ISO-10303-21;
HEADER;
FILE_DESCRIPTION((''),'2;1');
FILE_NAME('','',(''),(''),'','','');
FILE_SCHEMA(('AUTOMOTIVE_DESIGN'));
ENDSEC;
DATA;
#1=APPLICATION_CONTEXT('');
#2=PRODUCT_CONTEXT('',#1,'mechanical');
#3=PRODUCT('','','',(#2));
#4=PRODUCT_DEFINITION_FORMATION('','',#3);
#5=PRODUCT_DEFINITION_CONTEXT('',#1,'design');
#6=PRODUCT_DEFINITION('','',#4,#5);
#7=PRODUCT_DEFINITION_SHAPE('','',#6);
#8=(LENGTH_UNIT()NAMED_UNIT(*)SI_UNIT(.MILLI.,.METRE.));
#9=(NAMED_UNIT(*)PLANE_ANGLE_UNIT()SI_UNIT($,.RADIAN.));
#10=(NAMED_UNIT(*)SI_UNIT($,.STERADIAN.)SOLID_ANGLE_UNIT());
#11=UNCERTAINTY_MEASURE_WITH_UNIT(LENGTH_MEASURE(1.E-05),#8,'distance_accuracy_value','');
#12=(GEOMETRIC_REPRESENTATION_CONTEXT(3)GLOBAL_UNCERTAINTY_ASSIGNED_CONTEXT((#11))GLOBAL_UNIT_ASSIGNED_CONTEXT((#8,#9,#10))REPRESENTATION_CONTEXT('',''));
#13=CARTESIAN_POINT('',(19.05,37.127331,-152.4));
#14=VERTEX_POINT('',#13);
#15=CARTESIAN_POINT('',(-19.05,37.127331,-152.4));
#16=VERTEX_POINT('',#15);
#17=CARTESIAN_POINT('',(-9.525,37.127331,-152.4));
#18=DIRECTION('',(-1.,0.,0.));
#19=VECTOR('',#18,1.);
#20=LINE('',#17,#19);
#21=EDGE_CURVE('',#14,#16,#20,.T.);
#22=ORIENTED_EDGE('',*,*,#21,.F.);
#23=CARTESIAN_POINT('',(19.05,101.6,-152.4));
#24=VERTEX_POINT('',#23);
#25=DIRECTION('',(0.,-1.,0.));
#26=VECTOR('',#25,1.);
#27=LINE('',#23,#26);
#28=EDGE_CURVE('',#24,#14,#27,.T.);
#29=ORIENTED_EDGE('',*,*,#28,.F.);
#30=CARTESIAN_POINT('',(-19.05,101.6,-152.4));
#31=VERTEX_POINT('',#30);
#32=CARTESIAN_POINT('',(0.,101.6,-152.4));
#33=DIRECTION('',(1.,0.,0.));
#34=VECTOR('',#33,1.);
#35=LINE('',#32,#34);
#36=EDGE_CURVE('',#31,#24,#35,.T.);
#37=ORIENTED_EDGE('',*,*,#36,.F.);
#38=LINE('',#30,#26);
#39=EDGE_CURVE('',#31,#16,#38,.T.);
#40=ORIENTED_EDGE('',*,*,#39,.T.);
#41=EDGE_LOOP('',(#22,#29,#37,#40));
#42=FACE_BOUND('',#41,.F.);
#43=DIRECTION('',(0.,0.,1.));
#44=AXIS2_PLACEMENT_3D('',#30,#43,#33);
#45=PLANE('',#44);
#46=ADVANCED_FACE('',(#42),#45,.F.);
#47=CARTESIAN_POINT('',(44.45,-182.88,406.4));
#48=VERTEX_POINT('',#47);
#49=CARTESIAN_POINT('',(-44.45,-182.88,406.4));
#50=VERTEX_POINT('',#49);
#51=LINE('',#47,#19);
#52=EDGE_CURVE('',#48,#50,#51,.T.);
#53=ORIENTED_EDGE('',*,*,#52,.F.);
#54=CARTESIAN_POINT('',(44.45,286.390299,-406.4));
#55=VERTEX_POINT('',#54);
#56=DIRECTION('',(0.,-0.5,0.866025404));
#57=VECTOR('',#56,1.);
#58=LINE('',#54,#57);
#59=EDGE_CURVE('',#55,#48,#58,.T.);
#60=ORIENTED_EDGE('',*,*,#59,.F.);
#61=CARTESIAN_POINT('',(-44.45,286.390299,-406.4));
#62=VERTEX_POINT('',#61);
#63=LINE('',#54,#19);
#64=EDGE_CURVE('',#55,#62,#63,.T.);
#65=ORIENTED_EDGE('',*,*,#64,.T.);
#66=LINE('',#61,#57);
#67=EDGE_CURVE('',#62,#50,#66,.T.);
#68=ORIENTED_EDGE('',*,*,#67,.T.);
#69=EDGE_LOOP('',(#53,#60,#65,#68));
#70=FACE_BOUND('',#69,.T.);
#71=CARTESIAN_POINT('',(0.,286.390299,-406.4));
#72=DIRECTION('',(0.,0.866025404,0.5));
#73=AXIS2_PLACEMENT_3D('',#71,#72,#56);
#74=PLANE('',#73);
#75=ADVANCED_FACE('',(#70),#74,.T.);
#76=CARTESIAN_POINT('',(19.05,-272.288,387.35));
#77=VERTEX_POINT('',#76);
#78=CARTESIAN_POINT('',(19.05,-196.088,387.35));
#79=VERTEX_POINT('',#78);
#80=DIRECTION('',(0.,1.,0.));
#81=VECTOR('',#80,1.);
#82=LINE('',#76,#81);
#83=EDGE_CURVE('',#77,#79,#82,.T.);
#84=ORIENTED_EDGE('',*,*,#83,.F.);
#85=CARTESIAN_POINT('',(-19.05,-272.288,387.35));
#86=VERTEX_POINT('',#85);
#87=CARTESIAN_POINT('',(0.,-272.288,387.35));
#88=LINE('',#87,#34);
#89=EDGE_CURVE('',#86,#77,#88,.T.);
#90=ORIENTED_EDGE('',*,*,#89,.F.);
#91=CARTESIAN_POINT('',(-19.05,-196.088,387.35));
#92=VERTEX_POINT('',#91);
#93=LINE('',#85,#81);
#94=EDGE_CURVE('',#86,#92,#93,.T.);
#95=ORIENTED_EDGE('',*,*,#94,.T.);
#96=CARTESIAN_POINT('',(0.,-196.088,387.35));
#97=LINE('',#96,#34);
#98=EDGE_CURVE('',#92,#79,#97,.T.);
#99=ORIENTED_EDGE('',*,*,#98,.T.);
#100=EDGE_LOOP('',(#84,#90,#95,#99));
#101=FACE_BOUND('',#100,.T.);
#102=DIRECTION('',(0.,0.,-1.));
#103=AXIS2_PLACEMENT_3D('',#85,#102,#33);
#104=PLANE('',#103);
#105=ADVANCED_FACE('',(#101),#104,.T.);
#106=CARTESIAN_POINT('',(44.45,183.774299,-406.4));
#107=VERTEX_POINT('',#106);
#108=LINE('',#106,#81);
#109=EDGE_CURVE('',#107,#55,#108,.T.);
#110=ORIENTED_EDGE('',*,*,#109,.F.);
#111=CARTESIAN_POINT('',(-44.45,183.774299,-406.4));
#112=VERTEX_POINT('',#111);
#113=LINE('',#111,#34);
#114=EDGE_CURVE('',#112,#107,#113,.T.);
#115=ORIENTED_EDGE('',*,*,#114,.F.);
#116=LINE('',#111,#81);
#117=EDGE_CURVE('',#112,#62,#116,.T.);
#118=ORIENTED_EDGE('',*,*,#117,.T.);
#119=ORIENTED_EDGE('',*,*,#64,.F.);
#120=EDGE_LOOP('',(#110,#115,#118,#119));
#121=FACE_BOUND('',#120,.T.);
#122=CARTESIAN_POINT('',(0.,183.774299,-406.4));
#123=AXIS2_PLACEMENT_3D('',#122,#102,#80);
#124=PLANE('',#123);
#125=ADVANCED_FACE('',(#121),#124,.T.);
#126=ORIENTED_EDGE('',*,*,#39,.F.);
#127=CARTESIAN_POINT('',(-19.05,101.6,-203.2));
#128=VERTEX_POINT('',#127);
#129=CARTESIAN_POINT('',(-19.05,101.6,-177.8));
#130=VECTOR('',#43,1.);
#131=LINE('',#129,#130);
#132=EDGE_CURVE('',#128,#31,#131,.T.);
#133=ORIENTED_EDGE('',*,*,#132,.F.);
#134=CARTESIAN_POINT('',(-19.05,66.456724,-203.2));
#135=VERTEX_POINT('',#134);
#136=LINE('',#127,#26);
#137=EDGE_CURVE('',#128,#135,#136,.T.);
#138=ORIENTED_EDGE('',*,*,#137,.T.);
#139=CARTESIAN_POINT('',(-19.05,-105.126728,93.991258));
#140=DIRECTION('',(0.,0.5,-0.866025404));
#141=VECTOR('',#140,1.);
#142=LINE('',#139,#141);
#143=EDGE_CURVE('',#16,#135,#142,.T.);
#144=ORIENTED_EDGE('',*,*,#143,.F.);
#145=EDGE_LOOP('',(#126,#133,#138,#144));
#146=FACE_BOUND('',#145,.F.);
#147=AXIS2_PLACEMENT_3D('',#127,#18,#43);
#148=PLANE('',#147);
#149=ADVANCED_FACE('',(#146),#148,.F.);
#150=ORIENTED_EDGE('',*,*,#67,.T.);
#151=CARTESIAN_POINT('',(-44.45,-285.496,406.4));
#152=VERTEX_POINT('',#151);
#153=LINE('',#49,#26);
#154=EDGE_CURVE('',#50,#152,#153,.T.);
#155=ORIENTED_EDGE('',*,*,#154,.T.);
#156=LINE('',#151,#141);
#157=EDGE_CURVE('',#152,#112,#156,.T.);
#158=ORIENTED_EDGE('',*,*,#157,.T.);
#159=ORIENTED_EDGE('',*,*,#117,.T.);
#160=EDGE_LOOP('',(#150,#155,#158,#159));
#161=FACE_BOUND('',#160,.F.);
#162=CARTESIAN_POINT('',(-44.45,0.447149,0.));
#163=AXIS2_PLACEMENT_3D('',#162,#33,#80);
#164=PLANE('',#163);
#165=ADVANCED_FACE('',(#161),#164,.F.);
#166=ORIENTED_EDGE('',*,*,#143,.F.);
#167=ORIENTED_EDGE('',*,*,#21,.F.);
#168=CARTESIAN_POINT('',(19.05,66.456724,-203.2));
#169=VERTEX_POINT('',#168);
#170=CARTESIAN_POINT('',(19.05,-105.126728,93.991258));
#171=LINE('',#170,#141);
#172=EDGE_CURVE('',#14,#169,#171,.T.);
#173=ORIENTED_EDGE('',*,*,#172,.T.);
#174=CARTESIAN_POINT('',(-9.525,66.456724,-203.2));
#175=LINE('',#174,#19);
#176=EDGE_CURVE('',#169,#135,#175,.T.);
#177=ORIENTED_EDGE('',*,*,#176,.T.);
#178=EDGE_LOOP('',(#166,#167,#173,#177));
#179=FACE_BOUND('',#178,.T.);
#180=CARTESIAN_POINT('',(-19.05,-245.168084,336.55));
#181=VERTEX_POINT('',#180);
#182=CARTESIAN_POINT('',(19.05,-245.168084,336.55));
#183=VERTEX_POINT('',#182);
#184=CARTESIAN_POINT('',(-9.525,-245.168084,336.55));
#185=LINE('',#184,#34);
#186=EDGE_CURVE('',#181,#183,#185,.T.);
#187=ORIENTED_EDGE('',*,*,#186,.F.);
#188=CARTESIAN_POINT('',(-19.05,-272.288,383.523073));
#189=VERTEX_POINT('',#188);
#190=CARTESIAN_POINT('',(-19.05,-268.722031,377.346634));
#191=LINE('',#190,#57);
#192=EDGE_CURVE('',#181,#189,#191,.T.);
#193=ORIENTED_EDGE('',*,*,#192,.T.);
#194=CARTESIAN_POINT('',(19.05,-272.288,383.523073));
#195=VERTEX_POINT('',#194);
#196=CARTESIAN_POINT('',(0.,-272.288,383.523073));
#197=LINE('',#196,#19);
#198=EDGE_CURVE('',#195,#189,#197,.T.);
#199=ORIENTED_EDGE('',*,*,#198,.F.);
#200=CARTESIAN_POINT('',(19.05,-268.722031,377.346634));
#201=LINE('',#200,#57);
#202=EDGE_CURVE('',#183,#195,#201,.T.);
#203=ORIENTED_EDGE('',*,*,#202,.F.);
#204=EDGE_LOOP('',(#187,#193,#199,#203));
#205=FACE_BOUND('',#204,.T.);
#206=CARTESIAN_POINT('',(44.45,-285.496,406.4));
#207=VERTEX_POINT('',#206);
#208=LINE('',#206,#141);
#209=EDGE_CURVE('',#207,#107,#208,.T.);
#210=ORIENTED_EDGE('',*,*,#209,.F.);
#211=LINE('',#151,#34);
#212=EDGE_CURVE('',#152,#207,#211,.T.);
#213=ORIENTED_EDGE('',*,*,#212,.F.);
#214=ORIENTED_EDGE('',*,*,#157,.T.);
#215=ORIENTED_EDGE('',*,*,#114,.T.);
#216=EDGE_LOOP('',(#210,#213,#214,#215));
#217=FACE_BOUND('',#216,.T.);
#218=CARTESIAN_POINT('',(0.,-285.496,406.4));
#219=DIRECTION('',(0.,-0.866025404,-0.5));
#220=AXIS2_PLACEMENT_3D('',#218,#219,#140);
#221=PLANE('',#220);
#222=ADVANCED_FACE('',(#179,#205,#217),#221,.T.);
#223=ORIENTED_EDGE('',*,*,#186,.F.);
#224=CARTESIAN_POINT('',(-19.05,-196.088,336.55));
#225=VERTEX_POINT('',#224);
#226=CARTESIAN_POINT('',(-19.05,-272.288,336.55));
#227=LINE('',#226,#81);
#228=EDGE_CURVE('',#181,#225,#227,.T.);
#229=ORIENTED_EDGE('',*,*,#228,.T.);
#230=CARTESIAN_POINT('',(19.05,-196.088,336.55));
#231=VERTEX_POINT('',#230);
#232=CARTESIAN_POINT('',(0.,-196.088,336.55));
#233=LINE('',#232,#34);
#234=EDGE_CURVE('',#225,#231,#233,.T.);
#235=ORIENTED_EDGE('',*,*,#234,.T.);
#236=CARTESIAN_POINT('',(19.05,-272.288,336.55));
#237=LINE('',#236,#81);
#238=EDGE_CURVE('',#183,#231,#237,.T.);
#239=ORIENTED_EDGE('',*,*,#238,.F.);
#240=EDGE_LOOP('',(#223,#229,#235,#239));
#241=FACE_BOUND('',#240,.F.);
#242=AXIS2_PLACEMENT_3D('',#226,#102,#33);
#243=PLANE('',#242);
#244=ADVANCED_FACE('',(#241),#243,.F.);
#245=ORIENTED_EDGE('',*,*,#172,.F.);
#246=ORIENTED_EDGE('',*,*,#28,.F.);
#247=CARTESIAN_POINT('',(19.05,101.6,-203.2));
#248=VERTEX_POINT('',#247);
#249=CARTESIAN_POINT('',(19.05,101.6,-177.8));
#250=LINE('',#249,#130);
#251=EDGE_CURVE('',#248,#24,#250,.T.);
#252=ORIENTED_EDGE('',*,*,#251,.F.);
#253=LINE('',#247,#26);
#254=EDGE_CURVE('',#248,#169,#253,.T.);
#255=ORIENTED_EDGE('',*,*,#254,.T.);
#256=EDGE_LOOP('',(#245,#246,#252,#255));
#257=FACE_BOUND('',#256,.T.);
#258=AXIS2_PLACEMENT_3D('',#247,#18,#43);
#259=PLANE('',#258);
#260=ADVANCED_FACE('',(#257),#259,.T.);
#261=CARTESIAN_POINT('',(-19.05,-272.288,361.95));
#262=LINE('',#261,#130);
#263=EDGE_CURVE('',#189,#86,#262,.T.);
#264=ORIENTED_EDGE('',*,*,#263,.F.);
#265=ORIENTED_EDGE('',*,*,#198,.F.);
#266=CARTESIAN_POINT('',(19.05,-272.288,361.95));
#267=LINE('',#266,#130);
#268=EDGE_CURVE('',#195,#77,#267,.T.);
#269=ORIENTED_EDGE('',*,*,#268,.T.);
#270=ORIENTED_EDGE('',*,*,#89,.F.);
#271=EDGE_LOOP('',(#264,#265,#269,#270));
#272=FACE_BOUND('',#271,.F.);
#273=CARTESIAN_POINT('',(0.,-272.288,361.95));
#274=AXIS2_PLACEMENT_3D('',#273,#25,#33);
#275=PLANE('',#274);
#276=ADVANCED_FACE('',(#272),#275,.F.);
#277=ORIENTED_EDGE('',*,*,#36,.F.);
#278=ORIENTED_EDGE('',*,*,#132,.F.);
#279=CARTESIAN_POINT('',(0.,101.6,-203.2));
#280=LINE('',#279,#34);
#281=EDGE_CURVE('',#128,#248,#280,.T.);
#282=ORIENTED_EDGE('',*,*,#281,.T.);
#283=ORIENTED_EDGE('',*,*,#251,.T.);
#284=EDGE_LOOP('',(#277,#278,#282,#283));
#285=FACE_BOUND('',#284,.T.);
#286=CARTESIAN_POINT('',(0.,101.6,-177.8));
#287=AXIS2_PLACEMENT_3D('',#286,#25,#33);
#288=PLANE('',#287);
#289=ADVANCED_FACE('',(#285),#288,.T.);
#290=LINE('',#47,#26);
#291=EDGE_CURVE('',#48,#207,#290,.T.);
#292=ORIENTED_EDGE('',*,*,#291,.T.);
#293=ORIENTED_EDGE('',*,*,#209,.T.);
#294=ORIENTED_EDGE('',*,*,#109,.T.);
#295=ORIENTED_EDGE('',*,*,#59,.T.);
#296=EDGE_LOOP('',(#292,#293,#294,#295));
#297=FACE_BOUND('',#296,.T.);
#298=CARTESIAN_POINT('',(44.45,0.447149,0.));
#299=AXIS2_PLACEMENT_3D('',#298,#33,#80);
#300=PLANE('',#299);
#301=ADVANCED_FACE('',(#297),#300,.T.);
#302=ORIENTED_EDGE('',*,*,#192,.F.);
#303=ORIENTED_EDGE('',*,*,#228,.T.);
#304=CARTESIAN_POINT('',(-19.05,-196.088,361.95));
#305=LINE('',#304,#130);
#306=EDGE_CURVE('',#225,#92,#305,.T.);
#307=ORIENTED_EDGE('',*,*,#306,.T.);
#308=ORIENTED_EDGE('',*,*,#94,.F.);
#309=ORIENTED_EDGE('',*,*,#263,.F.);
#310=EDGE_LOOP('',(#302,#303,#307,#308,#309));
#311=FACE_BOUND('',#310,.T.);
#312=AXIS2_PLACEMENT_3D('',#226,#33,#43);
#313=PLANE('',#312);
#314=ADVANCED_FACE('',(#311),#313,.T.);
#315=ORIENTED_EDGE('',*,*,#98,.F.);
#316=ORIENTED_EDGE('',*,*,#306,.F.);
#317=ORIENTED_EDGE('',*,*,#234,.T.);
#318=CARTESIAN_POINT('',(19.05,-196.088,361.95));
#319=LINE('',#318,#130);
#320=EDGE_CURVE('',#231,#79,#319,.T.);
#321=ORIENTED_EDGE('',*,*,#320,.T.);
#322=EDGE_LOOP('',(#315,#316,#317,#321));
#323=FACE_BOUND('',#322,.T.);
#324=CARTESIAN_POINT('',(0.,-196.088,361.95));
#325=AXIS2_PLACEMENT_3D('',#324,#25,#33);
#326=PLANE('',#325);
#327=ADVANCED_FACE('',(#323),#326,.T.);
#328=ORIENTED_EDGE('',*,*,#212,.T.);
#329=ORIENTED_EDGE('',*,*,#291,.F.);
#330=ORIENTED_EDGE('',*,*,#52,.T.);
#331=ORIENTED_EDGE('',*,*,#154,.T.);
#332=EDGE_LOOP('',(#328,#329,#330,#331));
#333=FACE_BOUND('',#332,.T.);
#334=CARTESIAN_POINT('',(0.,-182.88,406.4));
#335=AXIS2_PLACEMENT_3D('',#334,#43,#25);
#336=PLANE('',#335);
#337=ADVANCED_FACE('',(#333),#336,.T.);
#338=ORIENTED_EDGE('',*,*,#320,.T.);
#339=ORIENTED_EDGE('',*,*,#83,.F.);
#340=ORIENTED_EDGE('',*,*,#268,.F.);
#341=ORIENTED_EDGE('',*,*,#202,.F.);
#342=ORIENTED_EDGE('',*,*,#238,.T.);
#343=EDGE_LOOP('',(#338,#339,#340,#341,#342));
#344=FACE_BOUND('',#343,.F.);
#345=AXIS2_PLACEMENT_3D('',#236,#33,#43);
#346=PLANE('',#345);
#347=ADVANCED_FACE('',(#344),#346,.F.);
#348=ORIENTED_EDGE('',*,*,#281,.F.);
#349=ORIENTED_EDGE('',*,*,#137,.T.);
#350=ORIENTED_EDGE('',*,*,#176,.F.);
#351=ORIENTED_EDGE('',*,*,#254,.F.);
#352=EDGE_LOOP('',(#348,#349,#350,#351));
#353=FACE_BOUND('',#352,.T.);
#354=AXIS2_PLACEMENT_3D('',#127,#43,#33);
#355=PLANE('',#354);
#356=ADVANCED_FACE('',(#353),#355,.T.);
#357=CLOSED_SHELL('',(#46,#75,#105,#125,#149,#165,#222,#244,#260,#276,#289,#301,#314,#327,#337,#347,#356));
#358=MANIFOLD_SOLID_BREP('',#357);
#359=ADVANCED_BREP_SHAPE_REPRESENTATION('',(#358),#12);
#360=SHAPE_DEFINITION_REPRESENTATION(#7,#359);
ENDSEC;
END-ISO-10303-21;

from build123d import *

# Parameters (mm, degrees)
F1_DEPTH = 44.45
F3_W     = 38.1
F3_H     = 50.8
F4_DEPTH = 76.2
F6_W     = 38.1
F6_H     = 50.8
F7_DEPTH = 76.2


with BuildPart() as f1:
    # F0 (on Right) → F1 (new body, symmetric)
    with BuildSketch(Plane.YZ):
        Polygon((-182.88, 406.4), (-285.496, 406.4), (183.774299, -406.4), (286.390299, -406.4), align=None)
    extrude(amount=F1_DEPTH, both=True)

    # F3 (on offset) → F4 (cut)
    with BuildSketch(Plane.XZ.offset(272.288)):
        with Locations((0, 361.95)):
            Rectangle(F3_W, F3_H)
    extrude(amount=-F4_DEPTH, mode=Mode.SUBTRACT)

    # F6 (on offset) → F7 (cut)
    with BuildSketch(Plane.XZ.offset(-101.6)):
        with Locations((0, -177.8)):
            Rectangle(F6_W, F6_H)
    extrude(amount=F7_DEPTH, mode=Mode.SUBTRACT)


solid = f1.part
